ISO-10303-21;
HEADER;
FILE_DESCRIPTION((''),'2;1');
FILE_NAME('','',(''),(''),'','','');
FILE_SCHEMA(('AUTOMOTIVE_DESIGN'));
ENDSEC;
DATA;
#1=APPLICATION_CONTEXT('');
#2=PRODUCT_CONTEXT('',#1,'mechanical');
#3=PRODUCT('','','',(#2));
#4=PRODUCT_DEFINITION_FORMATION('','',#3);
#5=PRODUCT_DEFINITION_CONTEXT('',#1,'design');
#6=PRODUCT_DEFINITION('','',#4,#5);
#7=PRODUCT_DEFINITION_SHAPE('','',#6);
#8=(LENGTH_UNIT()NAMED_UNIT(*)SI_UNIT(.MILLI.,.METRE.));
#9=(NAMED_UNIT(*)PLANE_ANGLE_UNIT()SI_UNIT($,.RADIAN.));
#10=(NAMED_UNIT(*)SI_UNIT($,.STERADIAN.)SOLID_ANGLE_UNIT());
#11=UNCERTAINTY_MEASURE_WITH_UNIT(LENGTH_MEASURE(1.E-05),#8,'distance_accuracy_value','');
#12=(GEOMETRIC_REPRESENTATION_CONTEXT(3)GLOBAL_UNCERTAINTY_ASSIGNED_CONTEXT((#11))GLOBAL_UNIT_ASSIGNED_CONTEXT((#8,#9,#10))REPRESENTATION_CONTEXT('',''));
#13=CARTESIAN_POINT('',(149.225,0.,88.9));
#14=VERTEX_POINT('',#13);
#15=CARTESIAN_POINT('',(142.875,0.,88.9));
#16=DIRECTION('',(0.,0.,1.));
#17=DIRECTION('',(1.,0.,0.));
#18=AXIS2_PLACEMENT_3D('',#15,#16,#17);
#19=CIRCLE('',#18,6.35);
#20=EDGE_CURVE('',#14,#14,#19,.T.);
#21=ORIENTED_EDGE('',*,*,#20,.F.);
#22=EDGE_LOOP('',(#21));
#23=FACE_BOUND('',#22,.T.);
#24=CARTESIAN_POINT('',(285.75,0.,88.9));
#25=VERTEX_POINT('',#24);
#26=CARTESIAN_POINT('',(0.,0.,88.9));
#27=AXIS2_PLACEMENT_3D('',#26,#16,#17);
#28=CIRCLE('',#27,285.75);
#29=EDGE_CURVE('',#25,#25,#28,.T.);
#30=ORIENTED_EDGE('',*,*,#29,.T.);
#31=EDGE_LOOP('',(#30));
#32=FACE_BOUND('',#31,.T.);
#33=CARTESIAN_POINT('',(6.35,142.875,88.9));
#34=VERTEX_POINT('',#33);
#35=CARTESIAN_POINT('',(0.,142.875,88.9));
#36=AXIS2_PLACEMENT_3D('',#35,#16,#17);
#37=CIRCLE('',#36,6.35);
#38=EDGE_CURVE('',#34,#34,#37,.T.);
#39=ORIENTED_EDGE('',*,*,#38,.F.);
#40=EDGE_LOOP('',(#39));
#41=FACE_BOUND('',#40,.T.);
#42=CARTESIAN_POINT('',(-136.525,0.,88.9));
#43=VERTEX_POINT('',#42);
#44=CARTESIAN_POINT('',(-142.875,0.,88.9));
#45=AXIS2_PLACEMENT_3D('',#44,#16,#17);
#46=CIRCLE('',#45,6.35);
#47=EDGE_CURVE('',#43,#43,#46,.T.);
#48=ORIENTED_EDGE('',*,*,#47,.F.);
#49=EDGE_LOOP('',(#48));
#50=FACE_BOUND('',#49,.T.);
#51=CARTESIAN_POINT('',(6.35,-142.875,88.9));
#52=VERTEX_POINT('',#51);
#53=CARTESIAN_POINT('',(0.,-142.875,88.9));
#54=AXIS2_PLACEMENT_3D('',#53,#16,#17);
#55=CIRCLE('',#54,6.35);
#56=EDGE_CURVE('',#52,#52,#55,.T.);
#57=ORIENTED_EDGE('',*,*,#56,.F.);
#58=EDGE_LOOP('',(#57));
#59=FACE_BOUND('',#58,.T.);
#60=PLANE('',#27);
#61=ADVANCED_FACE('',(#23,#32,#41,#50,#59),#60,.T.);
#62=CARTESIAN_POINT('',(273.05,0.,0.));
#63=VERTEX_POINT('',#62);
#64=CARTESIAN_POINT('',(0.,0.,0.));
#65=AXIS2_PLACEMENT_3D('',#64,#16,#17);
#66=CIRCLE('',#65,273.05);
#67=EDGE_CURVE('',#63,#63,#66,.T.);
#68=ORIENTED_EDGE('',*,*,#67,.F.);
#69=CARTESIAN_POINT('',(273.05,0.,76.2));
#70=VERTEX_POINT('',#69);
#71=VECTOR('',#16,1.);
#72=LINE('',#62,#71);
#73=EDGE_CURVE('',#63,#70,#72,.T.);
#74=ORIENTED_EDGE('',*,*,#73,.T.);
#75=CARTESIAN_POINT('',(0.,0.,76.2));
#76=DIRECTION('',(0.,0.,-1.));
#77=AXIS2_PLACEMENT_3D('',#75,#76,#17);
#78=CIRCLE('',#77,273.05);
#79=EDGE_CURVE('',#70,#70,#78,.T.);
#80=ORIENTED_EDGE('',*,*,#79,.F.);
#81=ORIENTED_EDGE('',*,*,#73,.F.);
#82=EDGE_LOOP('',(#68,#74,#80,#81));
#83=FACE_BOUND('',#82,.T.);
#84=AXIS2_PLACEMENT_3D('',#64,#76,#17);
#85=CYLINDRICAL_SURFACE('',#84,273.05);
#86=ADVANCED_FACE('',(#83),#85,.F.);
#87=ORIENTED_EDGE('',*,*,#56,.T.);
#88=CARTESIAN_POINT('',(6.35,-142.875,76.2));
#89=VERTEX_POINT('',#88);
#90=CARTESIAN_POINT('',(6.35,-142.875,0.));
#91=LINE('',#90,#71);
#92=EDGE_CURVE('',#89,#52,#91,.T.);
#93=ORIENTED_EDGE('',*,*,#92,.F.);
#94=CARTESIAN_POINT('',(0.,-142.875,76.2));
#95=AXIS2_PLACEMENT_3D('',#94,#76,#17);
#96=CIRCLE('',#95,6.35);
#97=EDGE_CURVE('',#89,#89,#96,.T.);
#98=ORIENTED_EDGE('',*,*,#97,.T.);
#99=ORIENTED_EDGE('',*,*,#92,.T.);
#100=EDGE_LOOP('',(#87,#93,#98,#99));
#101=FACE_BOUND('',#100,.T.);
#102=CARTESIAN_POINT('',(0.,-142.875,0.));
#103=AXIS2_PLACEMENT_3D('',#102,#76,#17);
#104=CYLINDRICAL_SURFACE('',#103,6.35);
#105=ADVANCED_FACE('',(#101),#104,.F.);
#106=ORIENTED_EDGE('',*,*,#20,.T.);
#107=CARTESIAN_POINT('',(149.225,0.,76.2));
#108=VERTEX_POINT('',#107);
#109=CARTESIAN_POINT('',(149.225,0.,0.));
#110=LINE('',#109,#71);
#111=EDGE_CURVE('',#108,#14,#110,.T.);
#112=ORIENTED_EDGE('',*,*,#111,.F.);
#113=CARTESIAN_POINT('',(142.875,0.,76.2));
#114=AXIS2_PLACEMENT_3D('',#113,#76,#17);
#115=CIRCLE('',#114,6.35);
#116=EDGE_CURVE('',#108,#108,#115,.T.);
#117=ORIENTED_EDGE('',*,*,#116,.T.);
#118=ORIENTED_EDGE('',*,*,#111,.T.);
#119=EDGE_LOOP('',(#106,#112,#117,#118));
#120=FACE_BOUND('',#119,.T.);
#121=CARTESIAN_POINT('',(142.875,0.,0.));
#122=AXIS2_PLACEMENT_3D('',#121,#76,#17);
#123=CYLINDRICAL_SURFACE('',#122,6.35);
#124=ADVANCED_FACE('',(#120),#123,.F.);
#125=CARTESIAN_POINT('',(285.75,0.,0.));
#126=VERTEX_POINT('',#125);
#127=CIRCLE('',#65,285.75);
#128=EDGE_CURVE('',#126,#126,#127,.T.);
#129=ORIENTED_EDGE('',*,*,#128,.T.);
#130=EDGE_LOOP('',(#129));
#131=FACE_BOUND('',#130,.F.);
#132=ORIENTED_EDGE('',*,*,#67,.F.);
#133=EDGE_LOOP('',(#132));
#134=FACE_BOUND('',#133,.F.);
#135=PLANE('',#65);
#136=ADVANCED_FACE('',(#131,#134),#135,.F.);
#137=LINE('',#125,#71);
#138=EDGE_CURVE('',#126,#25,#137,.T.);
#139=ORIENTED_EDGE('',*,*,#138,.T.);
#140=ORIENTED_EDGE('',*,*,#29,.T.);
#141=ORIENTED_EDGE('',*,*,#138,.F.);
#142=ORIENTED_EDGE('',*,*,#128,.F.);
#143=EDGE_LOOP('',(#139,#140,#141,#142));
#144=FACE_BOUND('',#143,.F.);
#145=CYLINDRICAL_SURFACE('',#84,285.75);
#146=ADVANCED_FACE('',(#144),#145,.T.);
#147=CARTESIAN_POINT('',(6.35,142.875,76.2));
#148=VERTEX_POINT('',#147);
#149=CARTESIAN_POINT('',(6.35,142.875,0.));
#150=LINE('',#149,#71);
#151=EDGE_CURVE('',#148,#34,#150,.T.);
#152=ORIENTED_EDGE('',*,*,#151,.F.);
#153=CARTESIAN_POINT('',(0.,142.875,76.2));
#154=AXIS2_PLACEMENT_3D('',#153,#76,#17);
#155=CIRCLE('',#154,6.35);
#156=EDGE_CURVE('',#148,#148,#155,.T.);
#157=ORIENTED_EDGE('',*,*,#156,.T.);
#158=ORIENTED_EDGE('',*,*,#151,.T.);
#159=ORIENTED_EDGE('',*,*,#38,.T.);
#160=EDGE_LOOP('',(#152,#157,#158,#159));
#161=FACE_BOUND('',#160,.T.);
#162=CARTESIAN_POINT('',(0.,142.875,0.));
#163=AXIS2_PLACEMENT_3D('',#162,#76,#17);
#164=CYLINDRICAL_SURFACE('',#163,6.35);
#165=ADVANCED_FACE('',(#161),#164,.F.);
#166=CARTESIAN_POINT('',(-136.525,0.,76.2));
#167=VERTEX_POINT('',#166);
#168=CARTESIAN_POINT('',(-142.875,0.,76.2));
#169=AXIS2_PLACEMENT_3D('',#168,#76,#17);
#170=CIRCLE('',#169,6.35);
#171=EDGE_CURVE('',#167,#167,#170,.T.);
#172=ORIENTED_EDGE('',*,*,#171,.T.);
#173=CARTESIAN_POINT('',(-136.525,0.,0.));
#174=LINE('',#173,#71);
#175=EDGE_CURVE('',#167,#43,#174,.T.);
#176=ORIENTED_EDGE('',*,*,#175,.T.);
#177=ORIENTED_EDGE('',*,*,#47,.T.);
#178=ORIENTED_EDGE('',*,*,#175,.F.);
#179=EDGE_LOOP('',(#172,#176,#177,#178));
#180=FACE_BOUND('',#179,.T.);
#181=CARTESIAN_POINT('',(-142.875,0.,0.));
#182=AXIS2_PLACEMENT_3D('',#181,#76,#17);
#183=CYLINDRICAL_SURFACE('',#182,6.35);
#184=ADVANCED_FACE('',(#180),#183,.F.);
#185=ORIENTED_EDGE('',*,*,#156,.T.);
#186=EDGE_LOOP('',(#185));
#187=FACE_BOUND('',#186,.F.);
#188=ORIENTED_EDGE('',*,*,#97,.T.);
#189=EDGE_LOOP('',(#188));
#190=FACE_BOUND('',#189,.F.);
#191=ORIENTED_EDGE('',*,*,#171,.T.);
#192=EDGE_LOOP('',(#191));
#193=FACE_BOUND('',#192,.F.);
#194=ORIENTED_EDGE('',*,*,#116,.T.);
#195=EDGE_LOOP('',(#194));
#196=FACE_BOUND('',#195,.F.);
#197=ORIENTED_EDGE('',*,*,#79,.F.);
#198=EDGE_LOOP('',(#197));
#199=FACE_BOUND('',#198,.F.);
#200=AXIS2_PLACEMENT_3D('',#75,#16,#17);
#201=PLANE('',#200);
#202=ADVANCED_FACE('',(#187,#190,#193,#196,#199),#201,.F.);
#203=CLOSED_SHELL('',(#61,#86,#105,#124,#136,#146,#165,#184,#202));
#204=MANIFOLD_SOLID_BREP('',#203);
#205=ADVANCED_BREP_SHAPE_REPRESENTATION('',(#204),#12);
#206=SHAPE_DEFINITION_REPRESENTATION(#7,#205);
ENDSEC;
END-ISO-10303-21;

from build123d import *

# Parameters (mm, degrees)
F0_R     = 285.75
F0_R_2   = 6.35
F1_DEPTH = 88.9
F2_T     = -12.7
F3_R     = 210.508392
F4_DEPTH = 161.544


with BuildPart() as f1:
    # F0 (on Top) → F1 (new body)
    with BuildSketch(Plane.XY):
        Circle(F0_R)
        with Locations((0, -142.875)):
            Circle(F0_R_2, mode=Mode.SUBTRACT)
        with Locations((-142.875, 0)):
            Circle(F0_R_2, mode=Mode.SUBTRACT)
        with Locations((142.875, 0)):
            Circle(F0_R_2, mode=Mode.SUBTRACT)
        with Locations((0, 142.875)):
            Circle(F0_R_2, mode=Mode.SUBTRACT)
    extrude(amount=F1_DEPTH)

    # F2
    f2_openings = [f1.faces().sort_by_distance(p)[0] for p in [
        (0, 0, 0),
    ]]
    offset(amount=F2_T, openings=f2_openings)

    # F3 (on face) → F4 (cut)
    with BuildSketch(Plane(origin=(0, 0, 76.2), x_dir=(1, 0, 0), z_dir=(0, 0, -1))):
        with Locations((25.252376, -5.049415)):
            Circle(F3_R)
    extrude(amount=F4_DEPTH, mode=Mode.SUBTRACT)


solid = f1.part
